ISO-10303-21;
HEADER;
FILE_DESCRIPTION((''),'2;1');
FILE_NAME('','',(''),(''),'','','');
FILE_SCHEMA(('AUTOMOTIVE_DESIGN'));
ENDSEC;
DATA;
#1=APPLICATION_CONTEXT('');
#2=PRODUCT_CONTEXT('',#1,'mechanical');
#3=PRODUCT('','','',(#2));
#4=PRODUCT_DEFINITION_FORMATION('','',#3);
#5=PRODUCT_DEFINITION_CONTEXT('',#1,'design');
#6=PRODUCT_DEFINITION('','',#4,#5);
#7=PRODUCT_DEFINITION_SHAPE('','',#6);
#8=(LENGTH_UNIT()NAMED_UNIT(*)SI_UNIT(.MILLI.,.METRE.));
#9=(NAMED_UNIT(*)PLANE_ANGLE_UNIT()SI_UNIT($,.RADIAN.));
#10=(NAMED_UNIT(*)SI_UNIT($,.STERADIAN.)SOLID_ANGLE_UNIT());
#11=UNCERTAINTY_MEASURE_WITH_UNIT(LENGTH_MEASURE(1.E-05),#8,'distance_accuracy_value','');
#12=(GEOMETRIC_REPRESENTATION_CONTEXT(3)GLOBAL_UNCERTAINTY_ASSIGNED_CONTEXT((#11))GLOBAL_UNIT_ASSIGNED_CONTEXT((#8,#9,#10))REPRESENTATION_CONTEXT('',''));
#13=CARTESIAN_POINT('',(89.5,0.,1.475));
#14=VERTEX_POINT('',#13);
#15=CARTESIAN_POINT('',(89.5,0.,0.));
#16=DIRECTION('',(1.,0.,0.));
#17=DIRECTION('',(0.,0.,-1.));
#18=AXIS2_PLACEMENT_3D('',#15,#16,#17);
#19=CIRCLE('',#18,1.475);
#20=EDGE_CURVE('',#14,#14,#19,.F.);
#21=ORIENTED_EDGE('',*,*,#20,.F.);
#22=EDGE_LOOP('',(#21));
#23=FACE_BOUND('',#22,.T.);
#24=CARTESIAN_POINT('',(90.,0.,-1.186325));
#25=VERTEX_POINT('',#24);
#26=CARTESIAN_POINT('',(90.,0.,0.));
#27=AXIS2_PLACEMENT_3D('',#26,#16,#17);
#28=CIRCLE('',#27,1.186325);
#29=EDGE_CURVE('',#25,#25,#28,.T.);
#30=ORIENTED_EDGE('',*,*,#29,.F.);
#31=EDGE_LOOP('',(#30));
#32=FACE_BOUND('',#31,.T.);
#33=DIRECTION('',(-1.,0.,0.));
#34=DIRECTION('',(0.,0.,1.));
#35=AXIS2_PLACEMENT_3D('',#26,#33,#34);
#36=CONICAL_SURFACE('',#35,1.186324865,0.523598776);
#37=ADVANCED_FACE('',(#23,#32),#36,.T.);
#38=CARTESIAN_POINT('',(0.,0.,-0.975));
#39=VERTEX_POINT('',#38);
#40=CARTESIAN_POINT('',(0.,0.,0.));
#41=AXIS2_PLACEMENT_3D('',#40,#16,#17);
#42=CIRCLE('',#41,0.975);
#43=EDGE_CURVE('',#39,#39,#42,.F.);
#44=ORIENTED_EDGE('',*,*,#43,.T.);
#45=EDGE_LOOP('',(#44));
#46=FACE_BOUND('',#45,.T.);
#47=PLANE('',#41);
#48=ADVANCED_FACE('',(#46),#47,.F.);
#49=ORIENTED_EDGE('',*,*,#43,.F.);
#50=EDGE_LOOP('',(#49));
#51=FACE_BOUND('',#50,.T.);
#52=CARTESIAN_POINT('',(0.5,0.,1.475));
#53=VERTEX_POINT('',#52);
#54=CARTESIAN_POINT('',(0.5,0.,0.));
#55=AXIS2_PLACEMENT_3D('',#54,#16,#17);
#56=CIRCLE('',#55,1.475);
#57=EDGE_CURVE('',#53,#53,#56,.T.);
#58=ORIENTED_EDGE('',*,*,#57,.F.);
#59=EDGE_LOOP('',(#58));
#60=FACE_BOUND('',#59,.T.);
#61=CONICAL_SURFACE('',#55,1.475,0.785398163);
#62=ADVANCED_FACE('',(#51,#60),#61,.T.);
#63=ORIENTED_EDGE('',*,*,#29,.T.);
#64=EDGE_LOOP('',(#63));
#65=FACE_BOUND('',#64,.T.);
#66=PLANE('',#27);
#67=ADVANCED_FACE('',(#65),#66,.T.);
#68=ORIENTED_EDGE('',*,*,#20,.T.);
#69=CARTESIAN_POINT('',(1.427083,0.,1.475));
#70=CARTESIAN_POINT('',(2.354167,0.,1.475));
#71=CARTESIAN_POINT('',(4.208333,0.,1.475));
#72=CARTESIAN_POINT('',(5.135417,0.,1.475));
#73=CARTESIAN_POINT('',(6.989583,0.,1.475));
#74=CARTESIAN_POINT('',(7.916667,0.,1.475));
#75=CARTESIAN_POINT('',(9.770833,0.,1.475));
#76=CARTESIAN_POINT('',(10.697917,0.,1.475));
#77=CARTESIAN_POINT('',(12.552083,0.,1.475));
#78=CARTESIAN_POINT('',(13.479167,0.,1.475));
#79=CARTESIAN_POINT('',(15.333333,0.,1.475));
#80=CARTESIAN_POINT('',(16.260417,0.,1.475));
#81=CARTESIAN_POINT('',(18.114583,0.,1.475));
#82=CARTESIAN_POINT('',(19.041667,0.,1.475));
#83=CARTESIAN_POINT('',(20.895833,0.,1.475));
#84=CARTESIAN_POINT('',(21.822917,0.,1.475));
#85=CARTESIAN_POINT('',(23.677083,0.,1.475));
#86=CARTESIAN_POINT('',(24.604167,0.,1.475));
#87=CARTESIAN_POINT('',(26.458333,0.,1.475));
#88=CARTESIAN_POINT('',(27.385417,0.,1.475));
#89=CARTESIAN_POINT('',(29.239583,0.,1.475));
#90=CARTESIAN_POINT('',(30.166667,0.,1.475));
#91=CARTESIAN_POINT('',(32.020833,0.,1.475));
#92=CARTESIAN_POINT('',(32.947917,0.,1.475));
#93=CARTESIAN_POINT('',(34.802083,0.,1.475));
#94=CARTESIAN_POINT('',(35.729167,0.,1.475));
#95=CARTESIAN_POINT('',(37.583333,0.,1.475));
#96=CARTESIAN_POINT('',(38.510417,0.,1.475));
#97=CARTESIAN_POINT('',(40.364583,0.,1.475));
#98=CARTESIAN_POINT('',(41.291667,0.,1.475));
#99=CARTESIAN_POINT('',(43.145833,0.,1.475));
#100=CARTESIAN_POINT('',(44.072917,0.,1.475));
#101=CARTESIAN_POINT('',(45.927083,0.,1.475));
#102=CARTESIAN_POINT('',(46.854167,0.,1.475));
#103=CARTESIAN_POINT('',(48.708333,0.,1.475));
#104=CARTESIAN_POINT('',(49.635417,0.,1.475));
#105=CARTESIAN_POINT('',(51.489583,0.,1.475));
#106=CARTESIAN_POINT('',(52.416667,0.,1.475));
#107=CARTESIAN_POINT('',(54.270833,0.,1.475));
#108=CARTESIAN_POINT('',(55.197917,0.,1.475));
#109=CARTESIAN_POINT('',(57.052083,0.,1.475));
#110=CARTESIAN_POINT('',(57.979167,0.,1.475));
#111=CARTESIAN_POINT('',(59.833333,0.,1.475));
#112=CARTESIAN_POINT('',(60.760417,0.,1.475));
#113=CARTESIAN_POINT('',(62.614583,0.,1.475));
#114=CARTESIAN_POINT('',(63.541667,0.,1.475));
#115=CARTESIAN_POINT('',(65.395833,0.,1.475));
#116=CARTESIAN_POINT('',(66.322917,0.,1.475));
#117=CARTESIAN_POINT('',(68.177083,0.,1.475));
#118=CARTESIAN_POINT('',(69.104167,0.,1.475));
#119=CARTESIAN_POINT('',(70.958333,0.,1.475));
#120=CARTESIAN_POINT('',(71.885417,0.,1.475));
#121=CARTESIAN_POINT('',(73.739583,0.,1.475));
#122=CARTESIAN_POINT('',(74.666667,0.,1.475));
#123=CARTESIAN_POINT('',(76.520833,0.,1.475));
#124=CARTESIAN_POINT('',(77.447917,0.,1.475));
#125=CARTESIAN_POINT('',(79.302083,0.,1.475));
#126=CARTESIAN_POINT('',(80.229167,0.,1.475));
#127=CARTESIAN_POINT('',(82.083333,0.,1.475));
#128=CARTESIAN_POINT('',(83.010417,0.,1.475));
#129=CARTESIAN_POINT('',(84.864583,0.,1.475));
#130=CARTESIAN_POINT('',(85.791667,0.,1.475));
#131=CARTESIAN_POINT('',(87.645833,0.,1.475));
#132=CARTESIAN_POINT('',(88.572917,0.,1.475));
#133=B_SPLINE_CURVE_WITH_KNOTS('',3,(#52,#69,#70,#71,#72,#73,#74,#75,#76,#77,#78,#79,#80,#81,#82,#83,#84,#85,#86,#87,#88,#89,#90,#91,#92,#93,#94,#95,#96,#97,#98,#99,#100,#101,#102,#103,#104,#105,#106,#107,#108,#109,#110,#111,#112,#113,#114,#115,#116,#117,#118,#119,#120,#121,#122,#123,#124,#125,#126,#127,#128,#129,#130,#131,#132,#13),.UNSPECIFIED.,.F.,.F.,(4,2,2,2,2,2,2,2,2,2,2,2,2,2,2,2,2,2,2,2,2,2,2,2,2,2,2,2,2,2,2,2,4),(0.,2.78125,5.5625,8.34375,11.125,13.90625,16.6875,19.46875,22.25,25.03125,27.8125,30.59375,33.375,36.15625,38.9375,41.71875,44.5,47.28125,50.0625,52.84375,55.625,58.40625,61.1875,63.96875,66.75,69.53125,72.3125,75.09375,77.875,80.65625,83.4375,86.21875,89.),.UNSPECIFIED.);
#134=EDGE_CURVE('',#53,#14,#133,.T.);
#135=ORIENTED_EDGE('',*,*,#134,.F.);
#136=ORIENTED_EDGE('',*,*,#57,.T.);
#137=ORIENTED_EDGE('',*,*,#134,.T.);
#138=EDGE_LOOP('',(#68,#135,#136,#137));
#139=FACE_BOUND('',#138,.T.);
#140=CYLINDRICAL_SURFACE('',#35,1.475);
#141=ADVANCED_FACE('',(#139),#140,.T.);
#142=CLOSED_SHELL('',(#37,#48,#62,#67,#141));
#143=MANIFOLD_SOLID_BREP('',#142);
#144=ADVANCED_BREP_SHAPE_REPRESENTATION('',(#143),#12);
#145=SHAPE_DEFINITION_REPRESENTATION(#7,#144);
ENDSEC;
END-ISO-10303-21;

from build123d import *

# Parameters (mm, degrees)
CROQUIS1_R              = 1.475
SALIENTE_EXTRUIR1_DEPTH = 90
CHAFL_N1_SIZE           = 0.5
CHAFL_N1_SIZE2          = 0.288675135
CHAFL_N2_SIZE           = 0.5


with BuildPart() as part:
    # Croquis1 → Saliente-Extruir1 (new body)
    with BuildSketch(Plane(origin=(0, 0, 0), x_dir=(0, 0, -1), z_dir=(1, 0, 0))):
        with Locations(Location((0, 0, 0), (0, 0, 180))):
            Circle(CROQUIS1_R)
    extrude(amount=SALIENTE_EXTRUIR1_DEPTH)

    # Chaflán1
    chafl_n1_edges = [part.edges().sort_by_distance(p)[0] for p in [
        (90, 0, -1.475),
    ]]
    chafl_n1_side = [part.faces().sort_by_distance(p)[0] for p in [
        (45, 0, -1.475),
    ]]
    chamfer(chafl_n1_edges, length=CHAFL_N1_SIZE, length2=CHAFL_N1_SIZE2, reference=chafl_n1_side[0])

    # Chaflán2
    chafl_n2_edges = [part.edges().sort_by_distance(p)[0] for p in [
        (0, 0, -1.475),
    ]]
    chamfer(chafl_n2_edges, length=CHAFL_N2_SIZE)


solid = part.part
